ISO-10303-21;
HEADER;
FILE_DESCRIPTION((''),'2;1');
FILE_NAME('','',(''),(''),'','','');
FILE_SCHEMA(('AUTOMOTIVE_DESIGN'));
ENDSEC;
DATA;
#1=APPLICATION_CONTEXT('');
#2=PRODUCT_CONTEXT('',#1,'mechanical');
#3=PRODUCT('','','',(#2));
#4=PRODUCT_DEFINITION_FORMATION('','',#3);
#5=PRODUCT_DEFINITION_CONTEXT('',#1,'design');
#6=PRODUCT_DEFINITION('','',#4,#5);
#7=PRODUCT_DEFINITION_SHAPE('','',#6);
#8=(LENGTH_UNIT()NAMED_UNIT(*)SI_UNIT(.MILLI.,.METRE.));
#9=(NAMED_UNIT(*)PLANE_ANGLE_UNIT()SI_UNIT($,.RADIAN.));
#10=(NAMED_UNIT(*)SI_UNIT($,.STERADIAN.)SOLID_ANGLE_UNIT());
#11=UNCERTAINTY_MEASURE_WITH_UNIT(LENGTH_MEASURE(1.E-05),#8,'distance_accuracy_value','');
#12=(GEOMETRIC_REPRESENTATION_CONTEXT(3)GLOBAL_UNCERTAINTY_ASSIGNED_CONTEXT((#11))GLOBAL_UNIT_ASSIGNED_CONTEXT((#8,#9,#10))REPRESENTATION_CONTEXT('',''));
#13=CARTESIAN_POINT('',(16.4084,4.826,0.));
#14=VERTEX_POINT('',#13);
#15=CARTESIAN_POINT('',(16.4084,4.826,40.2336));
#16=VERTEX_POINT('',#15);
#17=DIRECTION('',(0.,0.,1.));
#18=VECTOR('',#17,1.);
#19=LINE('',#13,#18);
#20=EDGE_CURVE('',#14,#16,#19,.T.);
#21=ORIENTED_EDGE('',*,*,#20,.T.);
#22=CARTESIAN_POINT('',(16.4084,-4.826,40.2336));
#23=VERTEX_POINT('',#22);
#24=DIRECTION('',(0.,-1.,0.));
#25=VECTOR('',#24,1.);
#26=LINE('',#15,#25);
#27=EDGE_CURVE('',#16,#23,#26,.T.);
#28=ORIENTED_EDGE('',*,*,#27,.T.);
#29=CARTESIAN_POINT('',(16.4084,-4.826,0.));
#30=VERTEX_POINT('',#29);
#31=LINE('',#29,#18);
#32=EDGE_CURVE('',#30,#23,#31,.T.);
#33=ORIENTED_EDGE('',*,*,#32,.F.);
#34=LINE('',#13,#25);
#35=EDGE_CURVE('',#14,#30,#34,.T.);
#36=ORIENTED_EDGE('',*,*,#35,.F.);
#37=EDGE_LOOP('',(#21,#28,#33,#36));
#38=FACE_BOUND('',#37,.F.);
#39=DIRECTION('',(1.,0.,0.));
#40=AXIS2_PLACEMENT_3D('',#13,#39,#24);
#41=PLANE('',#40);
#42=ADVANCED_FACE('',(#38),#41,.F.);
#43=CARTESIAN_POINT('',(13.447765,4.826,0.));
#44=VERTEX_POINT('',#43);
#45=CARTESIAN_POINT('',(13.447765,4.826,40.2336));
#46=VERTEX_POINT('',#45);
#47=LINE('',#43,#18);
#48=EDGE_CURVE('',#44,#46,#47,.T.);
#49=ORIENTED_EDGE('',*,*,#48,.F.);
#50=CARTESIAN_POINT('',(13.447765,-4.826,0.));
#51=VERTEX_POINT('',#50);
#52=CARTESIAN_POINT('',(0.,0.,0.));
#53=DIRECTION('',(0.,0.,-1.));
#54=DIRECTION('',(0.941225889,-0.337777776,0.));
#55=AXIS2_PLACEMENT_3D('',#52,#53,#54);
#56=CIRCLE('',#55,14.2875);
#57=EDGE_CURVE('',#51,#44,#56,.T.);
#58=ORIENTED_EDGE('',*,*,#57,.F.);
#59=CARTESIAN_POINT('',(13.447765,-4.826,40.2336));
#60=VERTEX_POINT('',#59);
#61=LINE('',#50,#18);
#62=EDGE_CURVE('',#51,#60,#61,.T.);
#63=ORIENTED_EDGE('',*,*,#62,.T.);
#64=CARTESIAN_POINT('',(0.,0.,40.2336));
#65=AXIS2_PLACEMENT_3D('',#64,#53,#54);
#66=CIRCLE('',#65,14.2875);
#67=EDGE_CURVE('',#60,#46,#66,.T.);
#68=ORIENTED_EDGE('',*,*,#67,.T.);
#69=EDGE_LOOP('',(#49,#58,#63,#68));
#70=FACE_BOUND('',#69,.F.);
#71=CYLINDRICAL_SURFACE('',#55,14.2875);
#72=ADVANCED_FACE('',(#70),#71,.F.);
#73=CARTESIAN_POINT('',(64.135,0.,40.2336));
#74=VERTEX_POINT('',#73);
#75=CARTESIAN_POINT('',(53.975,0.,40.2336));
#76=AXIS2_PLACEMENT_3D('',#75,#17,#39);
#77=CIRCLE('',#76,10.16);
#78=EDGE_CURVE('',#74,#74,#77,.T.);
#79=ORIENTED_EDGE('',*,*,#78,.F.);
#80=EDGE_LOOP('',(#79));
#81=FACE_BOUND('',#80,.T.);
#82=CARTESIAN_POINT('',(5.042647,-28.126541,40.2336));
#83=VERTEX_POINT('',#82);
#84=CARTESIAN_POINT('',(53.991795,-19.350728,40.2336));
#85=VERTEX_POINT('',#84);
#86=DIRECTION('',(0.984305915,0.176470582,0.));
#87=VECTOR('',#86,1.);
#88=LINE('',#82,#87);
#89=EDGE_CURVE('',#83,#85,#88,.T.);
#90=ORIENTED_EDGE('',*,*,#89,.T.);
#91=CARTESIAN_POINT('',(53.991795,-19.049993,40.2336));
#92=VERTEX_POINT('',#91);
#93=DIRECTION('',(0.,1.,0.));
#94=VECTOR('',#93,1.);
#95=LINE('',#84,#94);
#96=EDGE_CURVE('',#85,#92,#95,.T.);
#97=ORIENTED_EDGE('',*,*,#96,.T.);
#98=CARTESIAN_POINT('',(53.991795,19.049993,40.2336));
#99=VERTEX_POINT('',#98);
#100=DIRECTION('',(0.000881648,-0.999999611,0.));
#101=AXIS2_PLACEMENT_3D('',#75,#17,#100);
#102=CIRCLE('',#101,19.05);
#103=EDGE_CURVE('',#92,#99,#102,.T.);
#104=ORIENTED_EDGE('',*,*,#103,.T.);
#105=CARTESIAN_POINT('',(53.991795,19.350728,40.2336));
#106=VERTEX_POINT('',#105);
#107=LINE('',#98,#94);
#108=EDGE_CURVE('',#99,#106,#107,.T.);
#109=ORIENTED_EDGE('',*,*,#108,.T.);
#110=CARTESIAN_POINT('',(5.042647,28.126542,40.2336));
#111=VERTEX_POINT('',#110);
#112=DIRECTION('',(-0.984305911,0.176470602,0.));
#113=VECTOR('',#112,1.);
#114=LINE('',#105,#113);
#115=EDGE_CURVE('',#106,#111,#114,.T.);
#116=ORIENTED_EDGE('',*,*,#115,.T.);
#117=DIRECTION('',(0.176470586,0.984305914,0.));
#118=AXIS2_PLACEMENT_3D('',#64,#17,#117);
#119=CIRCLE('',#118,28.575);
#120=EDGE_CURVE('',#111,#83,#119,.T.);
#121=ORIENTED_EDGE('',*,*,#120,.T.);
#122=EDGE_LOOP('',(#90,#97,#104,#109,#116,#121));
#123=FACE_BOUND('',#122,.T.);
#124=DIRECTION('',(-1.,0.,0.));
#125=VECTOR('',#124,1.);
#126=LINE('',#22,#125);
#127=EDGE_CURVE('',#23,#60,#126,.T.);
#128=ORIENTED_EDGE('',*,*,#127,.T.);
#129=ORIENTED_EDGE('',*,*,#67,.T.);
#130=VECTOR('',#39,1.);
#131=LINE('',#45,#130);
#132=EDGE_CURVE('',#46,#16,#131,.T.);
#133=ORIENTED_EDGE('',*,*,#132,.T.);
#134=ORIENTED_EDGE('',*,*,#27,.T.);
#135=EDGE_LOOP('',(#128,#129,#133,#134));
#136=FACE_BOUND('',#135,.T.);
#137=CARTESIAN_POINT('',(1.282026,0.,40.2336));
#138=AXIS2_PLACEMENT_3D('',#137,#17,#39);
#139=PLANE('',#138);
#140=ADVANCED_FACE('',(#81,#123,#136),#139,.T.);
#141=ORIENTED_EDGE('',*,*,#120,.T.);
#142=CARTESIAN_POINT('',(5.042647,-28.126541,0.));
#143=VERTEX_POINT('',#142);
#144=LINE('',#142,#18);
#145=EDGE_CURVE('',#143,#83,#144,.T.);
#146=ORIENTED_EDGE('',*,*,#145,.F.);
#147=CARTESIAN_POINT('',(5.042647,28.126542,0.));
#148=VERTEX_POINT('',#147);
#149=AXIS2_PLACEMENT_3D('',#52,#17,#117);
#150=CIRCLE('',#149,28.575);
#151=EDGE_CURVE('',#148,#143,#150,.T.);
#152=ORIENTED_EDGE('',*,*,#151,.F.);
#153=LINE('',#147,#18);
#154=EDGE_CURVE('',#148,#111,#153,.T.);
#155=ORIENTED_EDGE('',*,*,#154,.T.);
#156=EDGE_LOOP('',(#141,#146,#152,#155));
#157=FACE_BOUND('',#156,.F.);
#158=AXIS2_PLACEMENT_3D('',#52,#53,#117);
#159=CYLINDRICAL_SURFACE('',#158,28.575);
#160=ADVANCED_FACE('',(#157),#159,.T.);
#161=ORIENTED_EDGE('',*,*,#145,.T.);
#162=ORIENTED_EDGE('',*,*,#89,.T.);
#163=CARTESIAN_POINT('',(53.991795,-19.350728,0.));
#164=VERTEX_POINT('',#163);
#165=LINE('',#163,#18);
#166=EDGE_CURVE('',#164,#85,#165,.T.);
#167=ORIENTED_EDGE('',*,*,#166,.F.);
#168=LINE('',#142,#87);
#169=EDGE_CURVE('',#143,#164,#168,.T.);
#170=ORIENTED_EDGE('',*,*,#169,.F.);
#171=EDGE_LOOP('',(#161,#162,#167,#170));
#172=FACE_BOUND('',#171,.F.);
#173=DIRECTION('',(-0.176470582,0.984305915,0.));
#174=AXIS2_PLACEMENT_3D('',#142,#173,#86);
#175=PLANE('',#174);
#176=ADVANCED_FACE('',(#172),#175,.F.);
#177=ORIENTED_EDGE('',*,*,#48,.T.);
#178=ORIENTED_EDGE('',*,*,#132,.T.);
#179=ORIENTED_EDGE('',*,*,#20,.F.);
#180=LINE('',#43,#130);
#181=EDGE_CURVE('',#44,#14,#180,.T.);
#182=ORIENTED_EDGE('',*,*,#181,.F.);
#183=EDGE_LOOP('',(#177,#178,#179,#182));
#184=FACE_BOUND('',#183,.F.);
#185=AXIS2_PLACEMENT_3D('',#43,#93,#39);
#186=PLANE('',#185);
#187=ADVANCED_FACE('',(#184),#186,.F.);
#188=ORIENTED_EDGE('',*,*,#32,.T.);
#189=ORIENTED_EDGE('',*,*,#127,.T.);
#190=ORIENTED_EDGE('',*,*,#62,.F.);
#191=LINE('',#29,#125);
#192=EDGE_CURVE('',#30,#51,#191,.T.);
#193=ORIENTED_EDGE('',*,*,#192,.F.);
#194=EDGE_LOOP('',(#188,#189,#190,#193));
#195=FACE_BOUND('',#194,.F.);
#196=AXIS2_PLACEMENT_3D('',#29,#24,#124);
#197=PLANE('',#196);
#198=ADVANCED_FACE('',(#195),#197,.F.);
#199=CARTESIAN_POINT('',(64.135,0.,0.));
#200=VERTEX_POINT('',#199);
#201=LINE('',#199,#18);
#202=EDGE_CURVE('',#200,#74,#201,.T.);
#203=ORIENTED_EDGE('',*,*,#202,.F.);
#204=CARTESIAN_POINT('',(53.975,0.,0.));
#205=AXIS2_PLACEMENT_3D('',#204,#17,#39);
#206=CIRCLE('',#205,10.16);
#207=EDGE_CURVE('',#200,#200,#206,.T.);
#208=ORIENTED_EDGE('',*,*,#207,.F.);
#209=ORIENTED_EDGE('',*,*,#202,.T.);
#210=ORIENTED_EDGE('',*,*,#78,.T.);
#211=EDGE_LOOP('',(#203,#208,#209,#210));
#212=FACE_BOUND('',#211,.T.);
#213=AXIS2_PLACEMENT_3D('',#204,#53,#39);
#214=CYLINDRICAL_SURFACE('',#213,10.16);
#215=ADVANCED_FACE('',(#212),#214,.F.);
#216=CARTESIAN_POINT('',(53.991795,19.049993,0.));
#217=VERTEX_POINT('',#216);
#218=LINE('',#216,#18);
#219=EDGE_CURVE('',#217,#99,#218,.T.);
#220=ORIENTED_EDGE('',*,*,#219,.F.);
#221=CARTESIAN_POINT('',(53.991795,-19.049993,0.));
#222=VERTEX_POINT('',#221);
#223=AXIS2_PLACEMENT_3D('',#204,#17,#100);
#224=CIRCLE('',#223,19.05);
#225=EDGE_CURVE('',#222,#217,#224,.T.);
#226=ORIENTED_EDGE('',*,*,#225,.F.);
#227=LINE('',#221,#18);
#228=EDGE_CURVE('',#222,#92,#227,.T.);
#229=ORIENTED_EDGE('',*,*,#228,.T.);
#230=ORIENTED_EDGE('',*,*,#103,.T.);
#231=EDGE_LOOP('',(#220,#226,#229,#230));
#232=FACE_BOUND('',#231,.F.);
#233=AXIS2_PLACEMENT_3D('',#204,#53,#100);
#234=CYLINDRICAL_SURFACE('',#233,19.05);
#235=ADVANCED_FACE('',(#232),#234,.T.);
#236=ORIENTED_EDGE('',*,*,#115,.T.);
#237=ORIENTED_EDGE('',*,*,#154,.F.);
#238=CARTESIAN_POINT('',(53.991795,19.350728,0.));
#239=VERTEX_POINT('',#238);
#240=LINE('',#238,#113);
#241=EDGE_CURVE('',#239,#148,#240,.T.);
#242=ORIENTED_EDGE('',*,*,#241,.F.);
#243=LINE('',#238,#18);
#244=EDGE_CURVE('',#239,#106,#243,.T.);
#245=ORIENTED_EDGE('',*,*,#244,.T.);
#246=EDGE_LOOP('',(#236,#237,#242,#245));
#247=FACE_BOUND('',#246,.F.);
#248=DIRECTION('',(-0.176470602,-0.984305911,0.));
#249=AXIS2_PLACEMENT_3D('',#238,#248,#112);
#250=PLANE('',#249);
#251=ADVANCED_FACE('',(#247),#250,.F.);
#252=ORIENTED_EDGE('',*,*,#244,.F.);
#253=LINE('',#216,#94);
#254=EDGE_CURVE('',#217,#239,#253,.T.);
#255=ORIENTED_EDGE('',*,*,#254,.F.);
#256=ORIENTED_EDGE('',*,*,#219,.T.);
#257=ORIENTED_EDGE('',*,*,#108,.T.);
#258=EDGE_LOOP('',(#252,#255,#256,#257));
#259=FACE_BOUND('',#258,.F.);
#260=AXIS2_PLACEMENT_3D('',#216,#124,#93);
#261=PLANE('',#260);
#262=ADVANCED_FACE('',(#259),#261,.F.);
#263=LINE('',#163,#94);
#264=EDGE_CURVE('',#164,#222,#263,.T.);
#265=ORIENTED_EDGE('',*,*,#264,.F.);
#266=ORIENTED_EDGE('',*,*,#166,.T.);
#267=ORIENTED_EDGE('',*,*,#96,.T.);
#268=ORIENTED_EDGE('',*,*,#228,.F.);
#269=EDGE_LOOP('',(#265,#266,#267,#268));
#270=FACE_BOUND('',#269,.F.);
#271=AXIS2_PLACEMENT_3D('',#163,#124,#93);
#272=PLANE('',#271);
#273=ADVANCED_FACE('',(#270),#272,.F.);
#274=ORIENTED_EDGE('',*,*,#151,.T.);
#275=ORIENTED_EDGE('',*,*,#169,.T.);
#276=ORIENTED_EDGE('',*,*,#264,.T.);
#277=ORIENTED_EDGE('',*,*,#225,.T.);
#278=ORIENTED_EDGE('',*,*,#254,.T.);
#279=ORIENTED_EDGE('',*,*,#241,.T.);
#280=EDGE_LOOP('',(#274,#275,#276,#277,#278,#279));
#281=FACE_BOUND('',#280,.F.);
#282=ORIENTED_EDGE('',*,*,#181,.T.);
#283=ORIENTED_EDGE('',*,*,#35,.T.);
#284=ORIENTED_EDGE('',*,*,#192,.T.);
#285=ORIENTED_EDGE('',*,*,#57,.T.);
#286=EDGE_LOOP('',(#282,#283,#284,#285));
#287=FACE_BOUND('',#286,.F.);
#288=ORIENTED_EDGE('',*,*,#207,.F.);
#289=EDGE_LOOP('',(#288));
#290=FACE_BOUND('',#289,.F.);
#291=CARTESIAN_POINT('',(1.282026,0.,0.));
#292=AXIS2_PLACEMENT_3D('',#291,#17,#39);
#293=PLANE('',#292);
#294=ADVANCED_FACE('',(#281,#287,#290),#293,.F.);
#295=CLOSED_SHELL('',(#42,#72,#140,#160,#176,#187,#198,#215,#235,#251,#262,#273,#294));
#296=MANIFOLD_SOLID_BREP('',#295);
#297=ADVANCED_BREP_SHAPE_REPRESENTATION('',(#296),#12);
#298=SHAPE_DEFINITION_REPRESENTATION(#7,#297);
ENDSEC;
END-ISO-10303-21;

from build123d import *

# Parameters (mm, degrees)
F0_R     = 10.16
F1_DEPTH = 40.2336


with BuildPart() as f1:
    # F0 (on Top) → F1 (new body)
    with BuildSketch(Plane.XY):
        with BuildLine():
            ThreePointArc((5.042647, -28.126541), (21.916025, -18.336262), (28.575, 0))
            ThreePointArc((28.575, 0), (21.916025, 18.336262), (5.042647, 28.126542))
            ThreePointArc((5.042647, 28.126542), (-28.575, 0), (5.042647, -28.126541))
        make_face()
        with BuildLine():
            ThreePointArc((13.447765, -4.826), (-14.2875, 0), (13.447765, 4.826))
            Line((13.447765, 4.826), (16.4084, 4.826))
            Line((16.4084, 4.826), (16.4084, -4.826))
            Line((16.4084, -4.826), (13.447765, -4.826))
        make_face(mode=Mode.SUBTRACT)
        with BuildLine():
            ThreePointArc((5.042647, 28.126542), (21.916025, 18.336262), (28.575, 0))
            ThreePointArc((28.575, 0), (21.916025, -18.336262), (5.042647, -28.126541))
            Line((5.042647, -28.126541), (53.991795, -19.350728))
            Line((53.991795, -19.350728), (53.991795, -19.049993))
            ThreePointArc((53.991795, -19.049993), (73.025, 0), (53.991795, 19.049993))
            Line((53.991795, 19.049993), (53.991795, 19.350728))
            Line((53.991795, 19.350728), (5.042647, 28.126542))
        make_face()
        with Locations((53.975, 0)):
            Circle(F0_R, mode=Mode.SUBTRACT)
    extrude(amount=F1_DEPTH)


solid = f1.part
